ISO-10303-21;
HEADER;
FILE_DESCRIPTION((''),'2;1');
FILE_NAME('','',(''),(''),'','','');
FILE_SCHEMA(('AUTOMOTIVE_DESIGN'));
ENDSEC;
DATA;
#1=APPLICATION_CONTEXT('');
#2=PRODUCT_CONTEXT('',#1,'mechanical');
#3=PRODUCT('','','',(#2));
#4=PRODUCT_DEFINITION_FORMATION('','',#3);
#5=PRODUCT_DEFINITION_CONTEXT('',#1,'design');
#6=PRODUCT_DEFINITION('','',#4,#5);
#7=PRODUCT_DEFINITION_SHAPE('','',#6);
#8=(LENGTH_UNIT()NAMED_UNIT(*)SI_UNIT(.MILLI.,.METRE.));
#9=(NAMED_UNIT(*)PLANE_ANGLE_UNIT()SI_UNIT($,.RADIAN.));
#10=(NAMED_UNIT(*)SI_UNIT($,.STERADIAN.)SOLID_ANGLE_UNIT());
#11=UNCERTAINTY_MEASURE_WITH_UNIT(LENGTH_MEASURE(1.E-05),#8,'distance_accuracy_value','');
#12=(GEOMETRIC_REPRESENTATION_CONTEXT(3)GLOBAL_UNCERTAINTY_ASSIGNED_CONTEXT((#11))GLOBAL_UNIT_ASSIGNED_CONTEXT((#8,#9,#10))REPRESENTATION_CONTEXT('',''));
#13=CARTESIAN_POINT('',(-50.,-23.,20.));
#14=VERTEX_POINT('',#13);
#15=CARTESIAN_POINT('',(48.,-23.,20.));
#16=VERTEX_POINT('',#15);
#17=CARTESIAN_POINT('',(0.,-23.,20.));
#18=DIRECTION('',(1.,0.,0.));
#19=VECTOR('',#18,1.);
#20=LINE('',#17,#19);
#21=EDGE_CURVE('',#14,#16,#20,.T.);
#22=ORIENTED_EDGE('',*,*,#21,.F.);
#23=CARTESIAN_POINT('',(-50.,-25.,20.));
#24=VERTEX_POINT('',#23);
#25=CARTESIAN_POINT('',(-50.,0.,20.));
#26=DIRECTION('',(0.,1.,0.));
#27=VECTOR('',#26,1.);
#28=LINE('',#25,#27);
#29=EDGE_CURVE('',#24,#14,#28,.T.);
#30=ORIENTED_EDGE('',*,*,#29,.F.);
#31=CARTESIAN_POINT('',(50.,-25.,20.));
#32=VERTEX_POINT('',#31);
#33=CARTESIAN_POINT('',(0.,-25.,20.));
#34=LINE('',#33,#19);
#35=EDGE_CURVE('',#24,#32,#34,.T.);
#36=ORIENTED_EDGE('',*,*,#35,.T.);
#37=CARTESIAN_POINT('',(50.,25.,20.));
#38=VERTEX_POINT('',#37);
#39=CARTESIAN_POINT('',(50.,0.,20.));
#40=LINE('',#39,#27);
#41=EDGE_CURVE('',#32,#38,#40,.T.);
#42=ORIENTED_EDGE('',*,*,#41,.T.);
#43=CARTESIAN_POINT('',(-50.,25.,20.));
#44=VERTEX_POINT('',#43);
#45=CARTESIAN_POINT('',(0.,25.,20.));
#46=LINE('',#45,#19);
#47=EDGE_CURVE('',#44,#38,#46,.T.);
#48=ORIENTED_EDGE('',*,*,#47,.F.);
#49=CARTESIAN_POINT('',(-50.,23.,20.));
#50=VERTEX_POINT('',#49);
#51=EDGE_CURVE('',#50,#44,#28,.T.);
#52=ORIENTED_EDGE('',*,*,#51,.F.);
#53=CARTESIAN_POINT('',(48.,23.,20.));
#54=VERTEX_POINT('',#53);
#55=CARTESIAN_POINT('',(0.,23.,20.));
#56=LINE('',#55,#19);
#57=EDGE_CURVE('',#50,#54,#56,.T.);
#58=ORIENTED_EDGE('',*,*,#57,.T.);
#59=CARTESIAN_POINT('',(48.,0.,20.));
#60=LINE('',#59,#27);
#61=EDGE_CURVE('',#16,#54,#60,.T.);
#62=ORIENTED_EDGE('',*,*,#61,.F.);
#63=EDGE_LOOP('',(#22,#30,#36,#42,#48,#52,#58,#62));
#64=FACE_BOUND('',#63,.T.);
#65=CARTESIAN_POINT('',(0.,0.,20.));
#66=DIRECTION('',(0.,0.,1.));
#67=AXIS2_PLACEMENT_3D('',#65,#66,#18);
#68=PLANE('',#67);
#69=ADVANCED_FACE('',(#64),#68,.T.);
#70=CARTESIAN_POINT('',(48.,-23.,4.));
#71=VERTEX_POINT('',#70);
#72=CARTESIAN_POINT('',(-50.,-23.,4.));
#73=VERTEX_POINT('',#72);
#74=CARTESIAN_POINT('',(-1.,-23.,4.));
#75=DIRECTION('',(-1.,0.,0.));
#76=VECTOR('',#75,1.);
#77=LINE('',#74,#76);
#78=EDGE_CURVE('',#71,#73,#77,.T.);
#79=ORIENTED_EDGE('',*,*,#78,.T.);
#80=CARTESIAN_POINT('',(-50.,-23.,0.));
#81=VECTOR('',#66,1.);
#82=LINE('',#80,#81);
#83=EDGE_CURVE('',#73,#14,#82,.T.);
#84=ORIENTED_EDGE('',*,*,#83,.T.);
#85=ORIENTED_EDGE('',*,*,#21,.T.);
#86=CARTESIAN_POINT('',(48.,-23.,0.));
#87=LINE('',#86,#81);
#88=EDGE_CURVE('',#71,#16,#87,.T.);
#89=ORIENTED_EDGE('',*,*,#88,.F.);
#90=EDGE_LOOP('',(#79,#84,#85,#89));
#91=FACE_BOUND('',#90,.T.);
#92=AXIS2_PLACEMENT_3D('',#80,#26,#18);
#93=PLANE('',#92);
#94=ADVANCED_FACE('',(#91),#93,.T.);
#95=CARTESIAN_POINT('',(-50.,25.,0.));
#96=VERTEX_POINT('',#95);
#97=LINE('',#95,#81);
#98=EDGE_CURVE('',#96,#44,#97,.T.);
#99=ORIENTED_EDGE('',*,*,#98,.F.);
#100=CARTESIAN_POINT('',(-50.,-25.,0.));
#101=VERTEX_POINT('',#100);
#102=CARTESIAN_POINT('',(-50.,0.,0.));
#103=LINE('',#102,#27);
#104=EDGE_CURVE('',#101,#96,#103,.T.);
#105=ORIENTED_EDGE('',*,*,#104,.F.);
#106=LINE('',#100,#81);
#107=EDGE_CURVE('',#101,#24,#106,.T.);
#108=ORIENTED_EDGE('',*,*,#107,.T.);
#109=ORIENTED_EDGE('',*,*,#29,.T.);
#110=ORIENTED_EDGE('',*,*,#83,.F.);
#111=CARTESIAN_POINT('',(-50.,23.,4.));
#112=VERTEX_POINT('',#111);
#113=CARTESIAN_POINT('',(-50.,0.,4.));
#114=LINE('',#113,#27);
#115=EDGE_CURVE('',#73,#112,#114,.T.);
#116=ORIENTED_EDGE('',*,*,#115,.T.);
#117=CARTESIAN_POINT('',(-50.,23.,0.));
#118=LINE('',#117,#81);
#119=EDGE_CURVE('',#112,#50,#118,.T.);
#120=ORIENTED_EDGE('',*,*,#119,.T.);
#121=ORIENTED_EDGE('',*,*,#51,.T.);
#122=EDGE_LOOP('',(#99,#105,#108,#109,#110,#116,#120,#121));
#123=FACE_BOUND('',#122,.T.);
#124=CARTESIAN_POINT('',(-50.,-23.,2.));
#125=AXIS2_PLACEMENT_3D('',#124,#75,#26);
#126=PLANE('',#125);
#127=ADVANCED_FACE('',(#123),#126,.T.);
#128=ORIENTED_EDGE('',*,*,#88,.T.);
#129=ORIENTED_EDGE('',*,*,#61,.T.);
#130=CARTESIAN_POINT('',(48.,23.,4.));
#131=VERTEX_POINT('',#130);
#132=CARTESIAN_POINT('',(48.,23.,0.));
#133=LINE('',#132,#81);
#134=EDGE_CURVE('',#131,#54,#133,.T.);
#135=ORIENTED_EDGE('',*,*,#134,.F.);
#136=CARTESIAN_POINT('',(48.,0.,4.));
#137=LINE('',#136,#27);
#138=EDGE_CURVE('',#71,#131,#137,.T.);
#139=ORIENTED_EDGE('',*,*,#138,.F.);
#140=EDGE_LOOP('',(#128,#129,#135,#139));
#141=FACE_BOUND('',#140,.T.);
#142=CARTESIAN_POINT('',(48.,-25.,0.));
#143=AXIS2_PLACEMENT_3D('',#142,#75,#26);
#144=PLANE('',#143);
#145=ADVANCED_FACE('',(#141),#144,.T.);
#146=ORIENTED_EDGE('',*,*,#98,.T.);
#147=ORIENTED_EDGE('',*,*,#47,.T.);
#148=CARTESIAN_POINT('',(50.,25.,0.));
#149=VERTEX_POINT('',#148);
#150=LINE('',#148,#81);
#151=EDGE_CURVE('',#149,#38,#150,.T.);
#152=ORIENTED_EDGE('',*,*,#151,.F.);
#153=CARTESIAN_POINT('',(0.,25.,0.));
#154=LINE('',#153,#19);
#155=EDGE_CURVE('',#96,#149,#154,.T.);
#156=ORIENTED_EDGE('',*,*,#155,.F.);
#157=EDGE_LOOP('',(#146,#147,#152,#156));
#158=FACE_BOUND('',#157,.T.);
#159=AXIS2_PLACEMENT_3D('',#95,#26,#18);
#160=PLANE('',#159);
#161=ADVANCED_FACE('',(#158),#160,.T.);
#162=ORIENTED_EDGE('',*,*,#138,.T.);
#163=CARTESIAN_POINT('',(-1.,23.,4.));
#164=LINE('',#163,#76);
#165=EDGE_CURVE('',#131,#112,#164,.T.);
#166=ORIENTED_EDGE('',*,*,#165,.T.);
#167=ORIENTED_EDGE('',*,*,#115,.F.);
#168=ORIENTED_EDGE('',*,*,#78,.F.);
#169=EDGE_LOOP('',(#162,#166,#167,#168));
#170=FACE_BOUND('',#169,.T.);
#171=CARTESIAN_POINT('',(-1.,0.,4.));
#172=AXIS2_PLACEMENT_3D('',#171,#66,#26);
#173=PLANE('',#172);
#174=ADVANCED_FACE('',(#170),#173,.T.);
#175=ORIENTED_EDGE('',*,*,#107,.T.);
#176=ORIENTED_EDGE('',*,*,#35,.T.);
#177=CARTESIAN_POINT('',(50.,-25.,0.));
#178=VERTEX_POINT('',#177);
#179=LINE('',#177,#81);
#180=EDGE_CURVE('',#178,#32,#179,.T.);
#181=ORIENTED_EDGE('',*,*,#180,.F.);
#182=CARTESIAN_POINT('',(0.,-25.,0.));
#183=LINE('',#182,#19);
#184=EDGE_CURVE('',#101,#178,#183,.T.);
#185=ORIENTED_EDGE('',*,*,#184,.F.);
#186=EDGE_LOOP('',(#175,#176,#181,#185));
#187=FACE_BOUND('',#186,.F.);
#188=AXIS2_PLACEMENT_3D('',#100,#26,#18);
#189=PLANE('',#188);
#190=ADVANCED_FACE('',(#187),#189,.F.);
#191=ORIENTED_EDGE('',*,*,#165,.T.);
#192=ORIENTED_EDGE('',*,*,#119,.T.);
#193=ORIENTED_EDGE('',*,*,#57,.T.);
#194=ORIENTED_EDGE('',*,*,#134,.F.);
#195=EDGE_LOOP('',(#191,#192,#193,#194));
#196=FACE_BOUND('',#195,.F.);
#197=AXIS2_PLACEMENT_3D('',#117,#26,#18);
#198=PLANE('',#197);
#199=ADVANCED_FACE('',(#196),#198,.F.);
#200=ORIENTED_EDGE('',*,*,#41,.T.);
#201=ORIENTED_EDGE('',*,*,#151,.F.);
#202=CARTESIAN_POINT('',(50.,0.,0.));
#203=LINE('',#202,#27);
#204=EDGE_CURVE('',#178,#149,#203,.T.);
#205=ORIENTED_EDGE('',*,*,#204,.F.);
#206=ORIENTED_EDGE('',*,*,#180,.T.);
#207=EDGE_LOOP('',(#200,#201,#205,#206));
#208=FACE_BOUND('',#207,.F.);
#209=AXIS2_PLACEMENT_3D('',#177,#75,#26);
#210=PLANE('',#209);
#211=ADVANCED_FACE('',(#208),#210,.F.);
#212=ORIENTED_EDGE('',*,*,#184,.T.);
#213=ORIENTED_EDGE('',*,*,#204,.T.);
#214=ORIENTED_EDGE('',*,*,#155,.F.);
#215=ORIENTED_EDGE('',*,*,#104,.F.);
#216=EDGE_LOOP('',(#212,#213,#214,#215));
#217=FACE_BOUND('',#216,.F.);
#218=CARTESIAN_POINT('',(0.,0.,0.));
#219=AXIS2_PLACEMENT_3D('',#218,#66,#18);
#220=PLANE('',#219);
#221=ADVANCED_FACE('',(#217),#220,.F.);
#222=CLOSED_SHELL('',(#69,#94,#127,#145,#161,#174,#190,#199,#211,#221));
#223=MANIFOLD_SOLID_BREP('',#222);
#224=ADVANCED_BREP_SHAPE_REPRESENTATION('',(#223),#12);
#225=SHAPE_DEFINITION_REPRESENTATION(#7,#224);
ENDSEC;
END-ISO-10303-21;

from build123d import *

# Parameters (mm, degrees)
SKETCH_W          = 100
SKETCH_H          = 50
PAD_DEPTH         = 20
THICKNESS_T       = -2
THICKNESS_FACE9_W = 46
THICKNESS_FACE9_H = 98
PAD001_DEPTH      = 2


with BuildPart() as part:
    # Sketch → Pad (new body)
    with BuildSketch(Plane.XY):
        Rectangle(SKETCH_W, SKETCH_H)
    extrude(amount=PAD_DEPTH)

    # Thickness
    thickness_openings = [part.faces().sort_by_distance(p)[0] for p in [
        (0, 0, 20),
        (-50, 0, 10),
    ]]
    offset(amount=THICKNESS_T, openings=thickness_openings)

    # Thickness Face9 → Pad001 (add)
    with BuildSketch(Plane(origin=(-1, 0, 2), x_dir=(0, 1, 0), z_dir=(0, 0, 1))):
        Rectangle(THICKNESS_FACE9_W, THICKNESS_FACE9_H)
    extrude(amount=PAD001_DEPTH)


solid = part.part
